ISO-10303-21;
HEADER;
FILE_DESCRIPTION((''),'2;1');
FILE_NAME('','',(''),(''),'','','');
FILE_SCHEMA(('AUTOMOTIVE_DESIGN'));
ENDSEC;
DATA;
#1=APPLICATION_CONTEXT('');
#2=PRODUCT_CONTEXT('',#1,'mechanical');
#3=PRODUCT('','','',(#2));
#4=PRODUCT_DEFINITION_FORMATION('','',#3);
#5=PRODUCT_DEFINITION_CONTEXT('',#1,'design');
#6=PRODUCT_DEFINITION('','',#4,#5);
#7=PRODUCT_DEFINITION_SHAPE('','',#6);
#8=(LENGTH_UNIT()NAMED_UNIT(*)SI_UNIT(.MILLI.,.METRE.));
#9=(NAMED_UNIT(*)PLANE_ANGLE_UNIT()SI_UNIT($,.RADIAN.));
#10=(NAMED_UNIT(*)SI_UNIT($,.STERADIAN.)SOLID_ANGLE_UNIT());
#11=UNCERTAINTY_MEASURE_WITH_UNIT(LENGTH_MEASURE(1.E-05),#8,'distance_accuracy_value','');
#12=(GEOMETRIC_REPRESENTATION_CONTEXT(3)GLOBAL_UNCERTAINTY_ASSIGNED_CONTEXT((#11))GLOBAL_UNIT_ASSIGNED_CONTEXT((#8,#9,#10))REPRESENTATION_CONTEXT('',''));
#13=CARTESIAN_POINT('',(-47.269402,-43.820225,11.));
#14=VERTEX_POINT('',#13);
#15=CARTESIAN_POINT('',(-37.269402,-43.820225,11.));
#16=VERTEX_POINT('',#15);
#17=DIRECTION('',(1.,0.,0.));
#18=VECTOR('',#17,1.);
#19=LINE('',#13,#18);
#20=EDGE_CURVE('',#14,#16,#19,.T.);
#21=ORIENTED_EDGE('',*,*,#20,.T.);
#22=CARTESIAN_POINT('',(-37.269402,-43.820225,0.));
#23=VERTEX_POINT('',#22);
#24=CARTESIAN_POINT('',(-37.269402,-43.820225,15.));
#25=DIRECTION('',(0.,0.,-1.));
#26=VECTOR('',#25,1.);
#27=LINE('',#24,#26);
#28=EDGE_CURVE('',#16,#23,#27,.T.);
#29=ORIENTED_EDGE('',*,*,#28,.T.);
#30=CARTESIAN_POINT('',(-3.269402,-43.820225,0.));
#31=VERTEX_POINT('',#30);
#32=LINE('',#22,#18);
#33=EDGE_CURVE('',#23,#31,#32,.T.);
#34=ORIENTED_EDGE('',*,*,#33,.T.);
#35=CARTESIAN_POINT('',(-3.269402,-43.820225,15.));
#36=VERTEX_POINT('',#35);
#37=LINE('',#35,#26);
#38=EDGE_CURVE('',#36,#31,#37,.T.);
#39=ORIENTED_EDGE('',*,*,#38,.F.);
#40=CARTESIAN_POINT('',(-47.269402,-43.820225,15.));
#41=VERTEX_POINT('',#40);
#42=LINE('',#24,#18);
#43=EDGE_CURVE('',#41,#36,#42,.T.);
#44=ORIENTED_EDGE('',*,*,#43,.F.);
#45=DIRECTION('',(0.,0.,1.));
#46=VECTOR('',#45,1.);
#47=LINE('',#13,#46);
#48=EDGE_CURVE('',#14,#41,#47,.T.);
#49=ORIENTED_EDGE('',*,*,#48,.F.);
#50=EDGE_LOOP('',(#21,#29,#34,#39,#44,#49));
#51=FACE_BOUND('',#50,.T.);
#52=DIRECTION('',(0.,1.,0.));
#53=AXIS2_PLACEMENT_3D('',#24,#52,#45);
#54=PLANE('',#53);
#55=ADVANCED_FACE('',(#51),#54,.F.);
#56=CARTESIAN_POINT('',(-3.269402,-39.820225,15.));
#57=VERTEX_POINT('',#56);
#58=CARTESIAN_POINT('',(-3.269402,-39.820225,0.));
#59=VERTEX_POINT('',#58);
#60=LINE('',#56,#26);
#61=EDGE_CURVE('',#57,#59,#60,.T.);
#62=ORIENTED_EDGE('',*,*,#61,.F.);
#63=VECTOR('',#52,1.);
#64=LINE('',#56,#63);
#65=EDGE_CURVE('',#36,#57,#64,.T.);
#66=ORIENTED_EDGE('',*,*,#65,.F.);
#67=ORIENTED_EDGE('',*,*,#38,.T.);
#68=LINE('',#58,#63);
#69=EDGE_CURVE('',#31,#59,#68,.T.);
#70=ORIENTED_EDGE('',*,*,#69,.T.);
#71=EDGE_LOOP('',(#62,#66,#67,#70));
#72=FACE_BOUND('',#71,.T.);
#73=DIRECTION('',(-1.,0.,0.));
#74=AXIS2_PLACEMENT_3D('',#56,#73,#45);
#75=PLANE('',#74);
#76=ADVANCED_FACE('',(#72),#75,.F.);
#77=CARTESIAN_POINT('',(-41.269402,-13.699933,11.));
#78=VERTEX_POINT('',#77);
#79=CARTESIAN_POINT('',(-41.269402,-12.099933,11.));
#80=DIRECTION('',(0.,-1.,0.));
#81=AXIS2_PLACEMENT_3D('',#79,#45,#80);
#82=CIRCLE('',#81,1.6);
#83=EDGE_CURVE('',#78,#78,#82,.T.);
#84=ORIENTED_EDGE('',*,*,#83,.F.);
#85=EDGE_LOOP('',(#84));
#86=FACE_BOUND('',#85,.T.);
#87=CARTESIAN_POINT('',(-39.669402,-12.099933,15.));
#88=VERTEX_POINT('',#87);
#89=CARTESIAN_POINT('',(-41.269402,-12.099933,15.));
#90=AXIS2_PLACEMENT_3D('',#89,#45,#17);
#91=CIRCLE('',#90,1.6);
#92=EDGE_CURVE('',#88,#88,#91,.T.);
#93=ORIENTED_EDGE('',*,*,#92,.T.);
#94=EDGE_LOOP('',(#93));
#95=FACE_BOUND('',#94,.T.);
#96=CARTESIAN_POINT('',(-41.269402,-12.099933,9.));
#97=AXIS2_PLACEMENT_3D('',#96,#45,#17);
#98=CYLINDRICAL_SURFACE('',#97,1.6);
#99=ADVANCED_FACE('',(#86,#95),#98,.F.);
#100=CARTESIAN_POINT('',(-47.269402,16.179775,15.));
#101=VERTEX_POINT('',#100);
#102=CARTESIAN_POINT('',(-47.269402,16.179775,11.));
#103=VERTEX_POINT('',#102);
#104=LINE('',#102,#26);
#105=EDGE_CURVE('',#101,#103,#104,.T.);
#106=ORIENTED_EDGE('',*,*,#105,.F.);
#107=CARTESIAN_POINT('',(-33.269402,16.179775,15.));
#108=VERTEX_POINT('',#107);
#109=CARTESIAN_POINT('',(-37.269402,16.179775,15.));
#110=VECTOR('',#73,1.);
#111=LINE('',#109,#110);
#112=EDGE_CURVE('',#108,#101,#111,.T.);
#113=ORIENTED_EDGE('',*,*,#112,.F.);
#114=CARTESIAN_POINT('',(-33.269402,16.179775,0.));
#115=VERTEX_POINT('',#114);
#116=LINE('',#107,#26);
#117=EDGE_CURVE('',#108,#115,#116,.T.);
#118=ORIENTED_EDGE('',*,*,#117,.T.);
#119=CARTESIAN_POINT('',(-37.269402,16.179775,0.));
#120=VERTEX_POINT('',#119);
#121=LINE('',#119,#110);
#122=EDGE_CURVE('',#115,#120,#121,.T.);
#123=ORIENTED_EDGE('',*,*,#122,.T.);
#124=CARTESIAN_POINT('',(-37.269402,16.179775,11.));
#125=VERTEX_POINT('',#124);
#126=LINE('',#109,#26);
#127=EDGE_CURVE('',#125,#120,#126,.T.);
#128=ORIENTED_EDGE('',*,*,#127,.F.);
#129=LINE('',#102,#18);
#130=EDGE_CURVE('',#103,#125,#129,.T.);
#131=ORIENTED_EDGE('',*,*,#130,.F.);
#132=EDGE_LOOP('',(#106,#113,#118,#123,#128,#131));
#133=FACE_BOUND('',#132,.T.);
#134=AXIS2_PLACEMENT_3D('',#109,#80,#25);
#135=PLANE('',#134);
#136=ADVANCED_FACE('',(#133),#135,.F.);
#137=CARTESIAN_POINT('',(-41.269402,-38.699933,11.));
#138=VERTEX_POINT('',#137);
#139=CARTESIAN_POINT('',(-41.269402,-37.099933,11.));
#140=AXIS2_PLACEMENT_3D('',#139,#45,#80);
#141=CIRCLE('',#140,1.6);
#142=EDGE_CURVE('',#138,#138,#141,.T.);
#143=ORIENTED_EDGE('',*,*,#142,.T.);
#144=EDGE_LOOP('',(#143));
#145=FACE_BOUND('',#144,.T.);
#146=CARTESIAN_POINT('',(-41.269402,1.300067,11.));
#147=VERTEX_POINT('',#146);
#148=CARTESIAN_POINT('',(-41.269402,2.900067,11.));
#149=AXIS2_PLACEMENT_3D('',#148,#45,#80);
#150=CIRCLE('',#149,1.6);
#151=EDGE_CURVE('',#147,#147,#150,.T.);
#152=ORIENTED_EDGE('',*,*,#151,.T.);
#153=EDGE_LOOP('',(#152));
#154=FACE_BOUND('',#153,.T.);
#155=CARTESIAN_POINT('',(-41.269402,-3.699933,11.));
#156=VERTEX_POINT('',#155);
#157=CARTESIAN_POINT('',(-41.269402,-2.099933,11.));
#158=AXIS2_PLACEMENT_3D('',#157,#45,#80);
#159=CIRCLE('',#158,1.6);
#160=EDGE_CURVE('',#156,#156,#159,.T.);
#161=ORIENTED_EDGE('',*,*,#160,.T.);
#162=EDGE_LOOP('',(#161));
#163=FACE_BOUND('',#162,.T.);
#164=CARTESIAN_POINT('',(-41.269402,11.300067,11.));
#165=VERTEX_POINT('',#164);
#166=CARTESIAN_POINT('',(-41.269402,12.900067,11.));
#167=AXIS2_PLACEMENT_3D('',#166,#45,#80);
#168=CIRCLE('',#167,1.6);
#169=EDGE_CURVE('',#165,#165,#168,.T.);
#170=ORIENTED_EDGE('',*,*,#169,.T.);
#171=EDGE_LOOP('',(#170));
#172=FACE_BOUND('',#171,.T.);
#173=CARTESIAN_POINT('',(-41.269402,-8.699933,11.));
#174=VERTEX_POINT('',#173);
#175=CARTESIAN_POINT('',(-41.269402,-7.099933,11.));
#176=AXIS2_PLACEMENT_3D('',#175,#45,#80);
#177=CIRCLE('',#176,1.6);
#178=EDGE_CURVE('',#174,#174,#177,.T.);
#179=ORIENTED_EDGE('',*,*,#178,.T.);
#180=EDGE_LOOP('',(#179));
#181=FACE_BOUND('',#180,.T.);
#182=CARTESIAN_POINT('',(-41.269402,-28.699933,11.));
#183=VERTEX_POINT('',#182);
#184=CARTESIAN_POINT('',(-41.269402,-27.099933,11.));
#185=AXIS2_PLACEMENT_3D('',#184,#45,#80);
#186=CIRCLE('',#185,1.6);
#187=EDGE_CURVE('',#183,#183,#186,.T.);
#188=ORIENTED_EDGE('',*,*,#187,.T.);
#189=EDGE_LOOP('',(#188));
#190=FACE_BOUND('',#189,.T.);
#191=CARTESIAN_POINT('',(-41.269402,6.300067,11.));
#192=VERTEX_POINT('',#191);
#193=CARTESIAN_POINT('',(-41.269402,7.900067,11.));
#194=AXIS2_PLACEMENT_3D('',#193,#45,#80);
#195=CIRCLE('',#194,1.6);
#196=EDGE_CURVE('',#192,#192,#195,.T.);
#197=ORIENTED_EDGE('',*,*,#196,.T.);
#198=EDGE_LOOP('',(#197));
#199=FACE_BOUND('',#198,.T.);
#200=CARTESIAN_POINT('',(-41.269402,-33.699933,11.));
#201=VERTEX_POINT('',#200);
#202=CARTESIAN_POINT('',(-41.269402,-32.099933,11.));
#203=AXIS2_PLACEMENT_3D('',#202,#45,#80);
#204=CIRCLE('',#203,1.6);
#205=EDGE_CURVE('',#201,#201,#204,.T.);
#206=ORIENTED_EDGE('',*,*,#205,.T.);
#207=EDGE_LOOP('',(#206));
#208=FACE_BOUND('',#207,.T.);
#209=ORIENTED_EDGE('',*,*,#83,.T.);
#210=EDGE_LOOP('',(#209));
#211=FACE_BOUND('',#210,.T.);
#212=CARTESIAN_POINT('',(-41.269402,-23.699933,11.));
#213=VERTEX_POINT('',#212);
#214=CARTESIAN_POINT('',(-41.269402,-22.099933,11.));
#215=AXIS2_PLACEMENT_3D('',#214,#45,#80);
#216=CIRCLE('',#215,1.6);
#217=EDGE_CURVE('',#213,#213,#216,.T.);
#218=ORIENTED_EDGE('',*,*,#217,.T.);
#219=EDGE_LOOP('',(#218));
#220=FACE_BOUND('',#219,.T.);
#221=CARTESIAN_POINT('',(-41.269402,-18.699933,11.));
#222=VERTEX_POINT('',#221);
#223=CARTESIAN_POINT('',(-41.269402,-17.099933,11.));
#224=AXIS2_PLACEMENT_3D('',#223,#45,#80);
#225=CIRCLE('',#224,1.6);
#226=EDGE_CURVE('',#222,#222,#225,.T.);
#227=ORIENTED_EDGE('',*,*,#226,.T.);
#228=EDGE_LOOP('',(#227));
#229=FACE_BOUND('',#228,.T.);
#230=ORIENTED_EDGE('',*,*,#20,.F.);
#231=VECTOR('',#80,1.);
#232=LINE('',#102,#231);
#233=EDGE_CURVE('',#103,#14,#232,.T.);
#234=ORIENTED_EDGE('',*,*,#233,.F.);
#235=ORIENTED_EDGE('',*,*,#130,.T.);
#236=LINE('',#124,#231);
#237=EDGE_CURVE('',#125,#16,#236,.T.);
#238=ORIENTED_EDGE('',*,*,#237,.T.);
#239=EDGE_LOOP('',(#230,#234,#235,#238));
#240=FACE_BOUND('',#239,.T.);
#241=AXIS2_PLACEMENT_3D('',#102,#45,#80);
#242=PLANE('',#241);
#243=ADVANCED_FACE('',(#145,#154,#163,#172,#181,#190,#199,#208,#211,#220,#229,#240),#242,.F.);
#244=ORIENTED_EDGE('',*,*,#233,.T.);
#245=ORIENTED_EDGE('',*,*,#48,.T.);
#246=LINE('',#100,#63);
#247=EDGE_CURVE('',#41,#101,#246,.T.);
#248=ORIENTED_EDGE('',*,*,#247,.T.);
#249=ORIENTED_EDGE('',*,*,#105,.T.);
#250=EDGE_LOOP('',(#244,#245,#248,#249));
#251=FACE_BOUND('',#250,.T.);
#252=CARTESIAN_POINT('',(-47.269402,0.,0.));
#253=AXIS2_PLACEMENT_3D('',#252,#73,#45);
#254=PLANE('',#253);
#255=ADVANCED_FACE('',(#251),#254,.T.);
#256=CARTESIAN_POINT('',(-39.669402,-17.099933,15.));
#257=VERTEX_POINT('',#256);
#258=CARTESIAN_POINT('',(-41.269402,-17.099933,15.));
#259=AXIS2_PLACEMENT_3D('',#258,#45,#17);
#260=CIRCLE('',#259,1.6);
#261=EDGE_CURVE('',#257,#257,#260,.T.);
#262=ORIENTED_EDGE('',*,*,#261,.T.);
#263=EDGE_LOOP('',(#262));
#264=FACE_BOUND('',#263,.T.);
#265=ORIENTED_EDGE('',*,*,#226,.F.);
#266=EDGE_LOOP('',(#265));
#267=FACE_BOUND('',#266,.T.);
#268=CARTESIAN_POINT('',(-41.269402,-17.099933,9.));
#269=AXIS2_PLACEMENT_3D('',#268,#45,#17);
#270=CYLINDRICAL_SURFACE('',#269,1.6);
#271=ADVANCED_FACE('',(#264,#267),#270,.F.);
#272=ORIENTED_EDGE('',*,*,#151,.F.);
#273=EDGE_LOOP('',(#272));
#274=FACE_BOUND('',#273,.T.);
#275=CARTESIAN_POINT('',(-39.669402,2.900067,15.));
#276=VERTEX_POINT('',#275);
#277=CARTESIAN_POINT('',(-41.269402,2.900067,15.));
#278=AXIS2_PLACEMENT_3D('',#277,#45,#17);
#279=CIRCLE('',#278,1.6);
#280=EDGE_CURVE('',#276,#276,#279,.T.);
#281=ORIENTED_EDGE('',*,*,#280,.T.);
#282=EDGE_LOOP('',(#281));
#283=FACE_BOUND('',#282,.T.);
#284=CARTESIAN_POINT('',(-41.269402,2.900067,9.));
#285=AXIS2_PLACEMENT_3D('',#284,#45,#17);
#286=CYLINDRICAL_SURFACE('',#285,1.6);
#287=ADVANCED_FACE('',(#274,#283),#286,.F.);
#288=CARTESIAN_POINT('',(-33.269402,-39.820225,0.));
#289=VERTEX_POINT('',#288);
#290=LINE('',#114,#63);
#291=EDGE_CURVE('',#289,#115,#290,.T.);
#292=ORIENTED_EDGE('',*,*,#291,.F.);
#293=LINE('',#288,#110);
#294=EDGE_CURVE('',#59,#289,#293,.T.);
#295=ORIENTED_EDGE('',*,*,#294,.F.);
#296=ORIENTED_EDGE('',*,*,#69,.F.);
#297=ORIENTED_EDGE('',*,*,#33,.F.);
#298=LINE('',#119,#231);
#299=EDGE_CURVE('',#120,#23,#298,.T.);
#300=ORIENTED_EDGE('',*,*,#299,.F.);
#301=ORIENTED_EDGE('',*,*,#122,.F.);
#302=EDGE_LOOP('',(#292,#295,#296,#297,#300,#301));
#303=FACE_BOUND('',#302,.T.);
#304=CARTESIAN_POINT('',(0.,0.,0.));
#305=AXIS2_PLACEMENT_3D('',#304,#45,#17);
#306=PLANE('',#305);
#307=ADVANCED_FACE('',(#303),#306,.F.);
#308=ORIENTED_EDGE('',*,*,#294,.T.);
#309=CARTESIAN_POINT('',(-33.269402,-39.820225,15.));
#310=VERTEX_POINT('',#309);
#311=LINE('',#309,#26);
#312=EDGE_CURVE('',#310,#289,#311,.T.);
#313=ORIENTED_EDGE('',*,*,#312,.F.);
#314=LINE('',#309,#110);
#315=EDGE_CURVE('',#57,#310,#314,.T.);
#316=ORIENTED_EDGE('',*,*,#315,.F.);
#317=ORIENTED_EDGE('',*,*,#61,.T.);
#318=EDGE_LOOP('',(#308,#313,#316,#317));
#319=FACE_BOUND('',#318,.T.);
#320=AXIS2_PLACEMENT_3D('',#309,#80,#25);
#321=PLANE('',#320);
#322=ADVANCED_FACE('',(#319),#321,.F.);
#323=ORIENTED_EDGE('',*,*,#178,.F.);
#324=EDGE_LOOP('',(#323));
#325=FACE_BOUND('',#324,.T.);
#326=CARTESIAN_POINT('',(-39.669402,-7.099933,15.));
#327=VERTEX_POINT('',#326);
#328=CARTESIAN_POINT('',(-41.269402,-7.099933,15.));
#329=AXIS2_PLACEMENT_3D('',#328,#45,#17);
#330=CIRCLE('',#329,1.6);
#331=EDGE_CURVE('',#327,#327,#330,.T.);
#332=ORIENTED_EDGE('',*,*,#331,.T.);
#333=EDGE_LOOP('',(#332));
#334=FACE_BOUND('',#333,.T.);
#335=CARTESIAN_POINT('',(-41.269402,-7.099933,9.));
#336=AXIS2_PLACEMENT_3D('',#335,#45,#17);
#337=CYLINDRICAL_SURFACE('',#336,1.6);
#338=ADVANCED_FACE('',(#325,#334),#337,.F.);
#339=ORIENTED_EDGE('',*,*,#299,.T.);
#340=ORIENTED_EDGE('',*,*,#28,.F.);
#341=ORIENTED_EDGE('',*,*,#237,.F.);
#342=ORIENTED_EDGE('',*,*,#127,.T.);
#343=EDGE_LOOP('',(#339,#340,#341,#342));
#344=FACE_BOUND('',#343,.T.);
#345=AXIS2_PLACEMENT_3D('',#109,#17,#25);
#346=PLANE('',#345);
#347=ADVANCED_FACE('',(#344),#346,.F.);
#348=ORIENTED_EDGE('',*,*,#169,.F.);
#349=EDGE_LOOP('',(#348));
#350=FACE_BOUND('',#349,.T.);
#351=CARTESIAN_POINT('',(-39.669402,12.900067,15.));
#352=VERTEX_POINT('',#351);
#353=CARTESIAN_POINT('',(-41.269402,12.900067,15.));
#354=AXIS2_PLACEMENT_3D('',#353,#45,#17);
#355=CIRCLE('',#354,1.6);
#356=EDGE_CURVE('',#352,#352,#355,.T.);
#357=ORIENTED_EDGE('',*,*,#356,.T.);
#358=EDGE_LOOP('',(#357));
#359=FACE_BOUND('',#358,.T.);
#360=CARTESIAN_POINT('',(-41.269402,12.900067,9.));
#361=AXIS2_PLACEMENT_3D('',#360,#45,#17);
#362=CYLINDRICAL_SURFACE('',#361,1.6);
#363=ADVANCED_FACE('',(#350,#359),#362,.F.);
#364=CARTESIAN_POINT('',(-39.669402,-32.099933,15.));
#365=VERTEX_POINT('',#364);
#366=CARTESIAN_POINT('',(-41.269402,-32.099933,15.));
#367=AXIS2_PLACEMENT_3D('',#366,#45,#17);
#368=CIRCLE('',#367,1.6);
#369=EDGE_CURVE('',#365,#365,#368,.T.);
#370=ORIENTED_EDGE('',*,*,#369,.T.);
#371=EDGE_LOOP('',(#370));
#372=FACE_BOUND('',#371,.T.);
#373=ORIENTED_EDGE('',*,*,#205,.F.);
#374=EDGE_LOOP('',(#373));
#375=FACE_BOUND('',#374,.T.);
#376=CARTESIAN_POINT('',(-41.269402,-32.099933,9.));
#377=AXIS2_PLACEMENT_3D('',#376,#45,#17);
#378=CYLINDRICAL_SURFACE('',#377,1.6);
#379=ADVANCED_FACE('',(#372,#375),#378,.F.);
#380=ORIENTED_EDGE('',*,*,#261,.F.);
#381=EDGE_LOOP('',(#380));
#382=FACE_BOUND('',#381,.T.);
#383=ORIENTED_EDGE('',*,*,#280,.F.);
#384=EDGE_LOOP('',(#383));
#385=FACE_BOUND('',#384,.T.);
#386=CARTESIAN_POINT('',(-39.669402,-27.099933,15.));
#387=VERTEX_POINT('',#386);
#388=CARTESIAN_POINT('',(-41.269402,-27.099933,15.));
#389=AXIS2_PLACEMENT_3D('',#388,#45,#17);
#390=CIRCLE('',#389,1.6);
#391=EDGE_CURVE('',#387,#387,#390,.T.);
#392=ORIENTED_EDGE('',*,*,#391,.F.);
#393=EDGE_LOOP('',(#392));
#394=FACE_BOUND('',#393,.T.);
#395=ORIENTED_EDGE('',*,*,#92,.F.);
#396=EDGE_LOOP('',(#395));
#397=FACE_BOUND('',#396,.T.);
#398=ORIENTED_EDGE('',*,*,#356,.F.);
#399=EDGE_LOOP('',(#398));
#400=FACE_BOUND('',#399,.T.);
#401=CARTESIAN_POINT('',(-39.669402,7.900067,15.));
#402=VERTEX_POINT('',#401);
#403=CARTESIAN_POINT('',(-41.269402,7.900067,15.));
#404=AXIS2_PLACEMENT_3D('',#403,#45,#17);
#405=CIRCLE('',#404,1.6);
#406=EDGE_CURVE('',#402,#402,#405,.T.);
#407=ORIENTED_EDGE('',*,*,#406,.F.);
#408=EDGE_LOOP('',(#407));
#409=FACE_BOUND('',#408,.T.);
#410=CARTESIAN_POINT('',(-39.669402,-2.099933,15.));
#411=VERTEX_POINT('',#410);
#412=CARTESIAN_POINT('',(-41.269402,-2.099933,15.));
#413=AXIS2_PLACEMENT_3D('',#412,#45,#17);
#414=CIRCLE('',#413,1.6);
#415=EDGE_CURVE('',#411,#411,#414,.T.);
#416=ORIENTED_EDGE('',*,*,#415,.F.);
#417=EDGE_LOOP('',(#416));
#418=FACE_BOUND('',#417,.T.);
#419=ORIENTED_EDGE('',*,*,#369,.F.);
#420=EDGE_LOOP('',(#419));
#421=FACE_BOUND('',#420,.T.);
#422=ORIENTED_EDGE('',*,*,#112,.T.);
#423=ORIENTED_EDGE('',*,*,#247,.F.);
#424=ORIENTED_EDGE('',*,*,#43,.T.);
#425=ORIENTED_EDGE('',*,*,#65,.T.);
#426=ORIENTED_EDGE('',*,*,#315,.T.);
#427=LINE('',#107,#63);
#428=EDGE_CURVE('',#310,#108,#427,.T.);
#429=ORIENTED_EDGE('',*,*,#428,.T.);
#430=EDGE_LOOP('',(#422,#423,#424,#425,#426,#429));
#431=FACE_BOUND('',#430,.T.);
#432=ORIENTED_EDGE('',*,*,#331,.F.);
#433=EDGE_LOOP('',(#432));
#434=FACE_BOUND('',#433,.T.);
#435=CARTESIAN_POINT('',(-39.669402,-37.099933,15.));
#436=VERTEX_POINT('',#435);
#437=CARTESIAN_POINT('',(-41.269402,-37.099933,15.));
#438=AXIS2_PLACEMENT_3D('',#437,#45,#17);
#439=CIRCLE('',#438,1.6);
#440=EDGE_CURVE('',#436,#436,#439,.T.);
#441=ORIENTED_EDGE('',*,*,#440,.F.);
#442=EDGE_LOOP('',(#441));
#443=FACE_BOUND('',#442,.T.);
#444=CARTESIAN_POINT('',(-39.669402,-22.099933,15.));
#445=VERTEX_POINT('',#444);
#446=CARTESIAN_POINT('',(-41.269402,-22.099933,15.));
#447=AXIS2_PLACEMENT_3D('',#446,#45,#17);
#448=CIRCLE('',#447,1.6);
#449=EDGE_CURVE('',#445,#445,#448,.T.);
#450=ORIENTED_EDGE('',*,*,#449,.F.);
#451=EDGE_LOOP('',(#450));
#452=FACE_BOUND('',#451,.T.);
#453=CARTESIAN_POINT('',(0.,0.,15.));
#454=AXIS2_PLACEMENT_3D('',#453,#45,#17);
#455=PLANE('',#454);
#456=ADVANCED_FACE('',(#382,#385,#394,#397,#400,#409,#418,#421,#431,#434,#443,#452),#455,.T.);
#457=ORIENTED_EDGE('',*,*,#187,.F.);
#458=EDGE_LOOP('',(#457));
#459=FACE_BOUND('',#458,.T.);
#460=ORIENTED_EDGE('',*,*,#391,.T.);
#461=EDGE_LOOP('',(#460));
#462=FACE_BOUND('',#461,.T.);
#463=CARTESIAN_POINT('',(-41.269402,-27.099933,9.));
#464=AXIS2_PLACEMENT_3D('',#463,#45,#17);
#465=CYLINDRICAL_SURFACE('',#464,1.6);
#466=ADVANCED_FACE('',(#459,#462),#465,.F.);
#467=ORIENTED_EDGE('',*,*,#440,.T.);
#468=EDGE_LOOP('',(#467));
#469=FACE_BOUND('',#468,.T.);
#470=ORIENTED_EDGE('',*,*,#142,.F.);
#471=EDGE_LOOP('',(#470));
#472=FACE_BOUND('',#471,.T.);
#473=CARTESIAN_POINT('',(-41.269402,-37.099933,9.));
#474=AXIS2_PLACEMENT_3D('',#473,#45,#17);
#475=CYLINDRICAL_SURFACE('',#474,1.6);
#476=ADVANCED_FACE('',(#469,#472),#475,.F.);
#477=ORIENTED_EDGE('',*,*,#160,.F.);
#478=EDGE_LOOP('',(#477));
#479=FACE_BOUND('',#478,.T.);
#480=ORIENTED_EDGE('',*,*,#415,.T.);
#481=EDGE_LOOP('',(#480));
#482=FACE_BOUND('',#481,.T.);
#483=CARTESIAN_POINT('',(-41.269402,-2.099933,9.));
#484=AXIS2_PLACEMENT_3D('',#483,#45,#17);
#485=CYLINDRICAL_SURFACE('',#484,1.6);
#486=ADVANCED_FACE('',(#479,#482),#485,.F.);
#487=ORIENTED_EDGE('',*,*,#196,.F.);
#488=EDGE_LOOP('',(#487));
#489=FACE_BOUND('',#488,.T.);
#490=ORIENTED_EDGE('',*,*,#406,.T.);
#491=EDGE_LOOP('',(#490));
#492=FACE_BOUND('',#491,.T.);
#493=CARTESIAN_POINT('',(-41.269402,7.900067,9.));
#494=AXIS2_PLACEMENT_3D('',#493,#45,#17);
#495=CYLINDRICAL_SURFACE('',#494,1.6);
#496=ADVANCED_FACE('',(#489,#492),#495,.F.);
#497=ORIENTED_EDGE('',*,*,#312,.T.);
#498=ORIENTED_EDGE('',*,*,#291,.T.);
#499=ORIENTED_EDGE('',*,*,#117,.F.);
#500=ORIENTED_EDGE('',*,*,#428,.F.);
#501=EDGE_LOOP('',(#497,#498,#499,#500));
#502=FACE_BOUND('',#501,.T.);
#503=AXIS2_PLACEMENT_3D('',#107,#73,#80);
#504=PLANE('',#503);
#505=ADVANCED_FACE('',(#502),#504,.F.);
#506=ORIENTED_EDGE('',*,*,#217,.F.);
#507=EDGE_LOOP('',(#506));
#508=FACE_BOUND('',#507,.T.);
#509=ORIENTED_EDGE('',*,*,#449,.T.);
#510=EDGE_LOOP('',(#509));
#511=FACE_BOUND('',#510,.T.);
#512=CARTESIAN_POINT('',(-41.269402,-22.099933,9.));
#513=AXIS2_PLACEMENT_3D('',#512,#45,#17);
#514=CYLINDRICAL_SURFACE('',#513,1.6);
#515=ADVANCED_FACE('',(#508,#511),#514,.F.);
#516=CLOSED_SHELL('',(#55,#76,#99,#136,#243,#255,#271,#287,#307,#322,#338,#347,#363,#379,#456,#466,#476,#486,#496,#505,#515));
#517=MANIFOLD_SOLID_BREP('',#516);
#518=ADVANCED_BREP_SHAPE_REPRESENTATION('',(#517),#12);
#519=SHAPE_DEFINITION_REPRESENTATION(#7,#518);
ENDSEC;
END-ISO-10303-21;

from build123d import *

# Parameters (mm, degrees)
EXTRUDE_1_DEPTH     = 15
SKETCH_2_W          = 4
SKETCH_2_H          = 60
EXTRUDE_2_DEPTH     = 10
SKETCH_3_R          = 1.6
CUT_EXTRUDE_1_DEPTH = 6


with BuildPart() as part:
    # ｽｹｯﾁ1 → ﾎﾞｽ - 押し出し1 (new body)
    with BuildSketch(Plane.XY):
        Polygon((-37.26940162, 16.179775281), (-33.26940162, 16.179775281), (-33.26940162, -39.820224719), (-3.26940162, -39.820224719), (-3.26940162, -43.820224719), (-37.26940162, -43.820224719), align=None)
    extrude(amount=EXTRUDE_1_DEPTH)

    # ｽｹｯﾁ2 → ﾎﾞｽ - 押し出し2 (add)
    with BuildSketch(Plane.ZY.offset(37.26940162)):
        with Locations((13, -13.820224719)):
            Rectangle(SKETCH_2_W, SKETCH_2_H)
    extrude(amount=EXTRUDE_2_DEPTH)

    # ｽｹｯﾁ3 → ｶｯﾄ - 押し出し1 (cut)
    with BuildSketch(Plane.XY.offset(15)):
        with Locations((-41.26940162, 7.900067142)):
            Circle(SKETCH_3_R)
        with Locations((-41.26940162, 2.900067142)):
            Circle(SKETCH_3_R)
        with Locations((-41.26940162, -2.099932858)):
            Circle(SKETCH_3_R)
        with Locations((-41.26940162, -7.099932858)):
            Circle(SKETCH_3_R)
        with Locations((-41.26940162, -12.099932858)):
            Circle(SKETCH_3_R)
        with Locations((-41.26940162, -17.099932858)):
            Circle(SKETCH_3_R)
        with Locations((-41.26940162, -22.099932858)):
            Circle(SKETCH_3_R)
        with Locations((-41.26940162, -27.099932858)):
            Circle(SKETCH_3_R)
        with Locations((-41.26940162, -32.099932858)):
            Circle(SKETCH_3_R)
        with Locations((-41.26940162, -37.099932858)):
            Circle(SKETCH_3_R)
        with Locations((-41.26940162, 12.900067142)):
            Circle(SKETCH_3_R)
    extrude(amount=-CUT_EXTRUDE_1_DEPTH, mode=Mode.SUBTRACT)


solid = part.part
